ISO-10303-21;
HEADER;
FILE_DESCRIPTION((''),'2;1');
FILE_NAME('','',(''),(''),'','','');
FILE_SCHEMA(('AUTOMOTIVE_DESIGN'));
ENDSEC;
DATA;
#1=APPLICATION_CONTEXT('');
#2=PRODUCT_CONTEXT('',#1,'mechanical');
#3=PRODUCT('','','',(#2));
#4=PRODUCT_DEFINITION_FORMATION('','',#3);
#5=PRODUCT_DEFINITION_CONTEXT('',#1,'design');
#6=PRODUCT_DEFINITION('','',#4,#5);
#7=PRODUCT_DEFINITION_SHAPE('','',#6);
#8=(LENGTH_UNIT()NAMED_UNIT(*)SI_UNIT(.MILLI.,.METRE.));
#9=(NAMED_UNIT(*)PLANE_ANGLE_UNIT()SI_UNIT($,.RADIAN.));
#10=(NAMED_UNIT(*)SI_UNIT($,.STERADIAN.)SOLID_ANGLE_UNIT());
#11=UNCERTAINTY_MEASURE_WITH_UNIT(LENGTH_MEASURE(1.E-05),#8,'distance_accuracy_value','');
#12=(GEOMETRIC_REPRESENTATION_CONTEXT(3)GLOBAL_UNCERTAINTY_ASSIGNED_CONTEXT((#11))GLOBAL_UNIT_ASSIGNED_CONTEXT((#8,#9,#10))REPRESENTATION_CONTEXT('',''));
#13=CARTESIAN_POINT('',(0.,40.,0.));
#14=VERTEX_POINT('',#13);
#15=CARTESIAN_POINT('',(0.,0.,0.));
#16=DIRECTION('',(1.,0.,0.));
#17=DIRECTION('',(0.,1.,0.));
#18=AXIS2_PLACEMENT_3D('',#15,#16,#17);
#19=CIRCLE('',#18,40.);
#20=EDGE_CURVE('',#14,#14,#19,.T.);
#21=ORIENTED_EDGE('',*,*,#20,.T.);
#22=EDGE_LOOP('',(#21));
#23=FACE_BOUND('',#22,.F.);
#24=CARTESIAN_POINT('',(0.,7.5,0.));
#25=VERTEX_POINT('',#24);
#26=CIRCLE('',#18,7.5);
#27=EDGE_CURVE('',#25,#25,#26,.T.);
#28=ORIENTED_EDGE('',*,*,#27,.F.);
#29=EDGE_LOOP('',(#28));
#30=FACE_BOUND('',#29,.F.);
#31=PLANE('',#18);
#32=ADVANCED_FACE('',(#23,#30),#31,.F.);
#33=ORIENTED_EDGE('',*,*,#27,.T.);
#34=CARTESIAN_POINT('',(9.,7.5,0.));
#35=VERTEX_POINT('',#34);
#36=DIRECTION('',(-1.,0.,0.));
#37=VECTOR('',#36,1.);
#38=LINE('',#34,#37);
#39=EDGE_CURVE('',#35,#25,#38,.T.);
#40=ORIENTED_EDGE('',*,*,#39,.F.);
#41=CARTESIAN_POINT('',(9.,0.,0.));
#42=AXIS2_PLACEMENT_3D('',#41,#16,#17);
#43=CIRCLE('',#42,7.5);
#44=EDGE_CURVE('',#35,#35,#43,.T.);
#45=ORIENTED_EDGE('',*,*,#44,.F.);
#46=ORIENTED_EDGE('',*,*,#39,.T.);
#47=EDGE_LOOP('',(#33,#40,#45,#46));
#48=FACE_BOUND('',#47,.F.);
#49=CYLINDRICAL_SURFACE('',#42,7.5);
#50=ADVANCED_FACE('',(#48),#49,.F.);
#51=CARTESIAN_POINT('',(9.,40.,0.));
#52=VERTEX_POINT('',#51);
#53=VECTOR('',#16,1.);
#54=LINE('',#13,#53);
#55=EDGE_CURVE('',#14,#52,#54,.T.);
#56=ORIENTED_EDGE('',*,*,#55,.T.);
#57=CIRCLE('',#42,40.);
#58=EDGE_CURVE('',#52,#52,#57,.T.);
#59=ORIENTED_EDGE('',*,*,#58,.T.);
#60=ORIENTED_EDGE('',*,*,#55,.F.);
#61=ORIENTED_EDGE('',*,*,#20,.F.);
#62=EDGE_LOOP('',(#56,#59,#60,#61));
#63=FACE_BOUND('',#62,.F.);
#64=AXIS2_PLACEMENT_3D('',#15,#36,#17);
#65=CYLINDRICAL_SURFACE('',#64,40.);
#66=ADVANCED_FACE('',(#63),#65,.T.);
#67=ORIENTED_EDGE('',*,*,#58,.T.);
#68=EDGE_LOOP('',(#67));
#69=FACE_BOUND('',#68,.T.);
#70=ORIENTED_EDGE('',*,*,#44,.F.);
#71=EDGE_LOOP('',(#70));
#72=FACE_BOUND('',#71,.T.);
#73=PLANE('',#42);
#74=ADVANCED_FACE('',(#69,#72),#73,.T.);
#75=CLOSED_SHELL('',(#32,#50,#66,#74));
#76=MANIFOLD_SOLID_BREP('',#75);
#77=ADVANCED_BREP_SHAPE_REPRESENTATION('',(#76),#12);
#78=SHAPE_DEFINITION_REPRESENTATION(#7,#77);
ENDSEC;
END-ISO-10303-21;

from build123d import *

# Parameters (mm, degrees)
F0_R     = 40
F1_DEPTH = 9
F2_R     = 7.5
F3_DEPTH = 9


with BuildPart() as f1:
    # F0 (on Right) → F1 (new body)
    with BuildSketch(Plane.YZ):
        Circle(F0_R)
    extrude(amount=F1_DEPTH)

    # F2 (on face) → F3 (cut, through all)
    with BuildSketch(Plane.YZ.offset(9)):
        Circle(F2_R)
    extrude(amount=-F3_DEPTH, mode=Mode.SUBTRACT)


solid = f1.part
